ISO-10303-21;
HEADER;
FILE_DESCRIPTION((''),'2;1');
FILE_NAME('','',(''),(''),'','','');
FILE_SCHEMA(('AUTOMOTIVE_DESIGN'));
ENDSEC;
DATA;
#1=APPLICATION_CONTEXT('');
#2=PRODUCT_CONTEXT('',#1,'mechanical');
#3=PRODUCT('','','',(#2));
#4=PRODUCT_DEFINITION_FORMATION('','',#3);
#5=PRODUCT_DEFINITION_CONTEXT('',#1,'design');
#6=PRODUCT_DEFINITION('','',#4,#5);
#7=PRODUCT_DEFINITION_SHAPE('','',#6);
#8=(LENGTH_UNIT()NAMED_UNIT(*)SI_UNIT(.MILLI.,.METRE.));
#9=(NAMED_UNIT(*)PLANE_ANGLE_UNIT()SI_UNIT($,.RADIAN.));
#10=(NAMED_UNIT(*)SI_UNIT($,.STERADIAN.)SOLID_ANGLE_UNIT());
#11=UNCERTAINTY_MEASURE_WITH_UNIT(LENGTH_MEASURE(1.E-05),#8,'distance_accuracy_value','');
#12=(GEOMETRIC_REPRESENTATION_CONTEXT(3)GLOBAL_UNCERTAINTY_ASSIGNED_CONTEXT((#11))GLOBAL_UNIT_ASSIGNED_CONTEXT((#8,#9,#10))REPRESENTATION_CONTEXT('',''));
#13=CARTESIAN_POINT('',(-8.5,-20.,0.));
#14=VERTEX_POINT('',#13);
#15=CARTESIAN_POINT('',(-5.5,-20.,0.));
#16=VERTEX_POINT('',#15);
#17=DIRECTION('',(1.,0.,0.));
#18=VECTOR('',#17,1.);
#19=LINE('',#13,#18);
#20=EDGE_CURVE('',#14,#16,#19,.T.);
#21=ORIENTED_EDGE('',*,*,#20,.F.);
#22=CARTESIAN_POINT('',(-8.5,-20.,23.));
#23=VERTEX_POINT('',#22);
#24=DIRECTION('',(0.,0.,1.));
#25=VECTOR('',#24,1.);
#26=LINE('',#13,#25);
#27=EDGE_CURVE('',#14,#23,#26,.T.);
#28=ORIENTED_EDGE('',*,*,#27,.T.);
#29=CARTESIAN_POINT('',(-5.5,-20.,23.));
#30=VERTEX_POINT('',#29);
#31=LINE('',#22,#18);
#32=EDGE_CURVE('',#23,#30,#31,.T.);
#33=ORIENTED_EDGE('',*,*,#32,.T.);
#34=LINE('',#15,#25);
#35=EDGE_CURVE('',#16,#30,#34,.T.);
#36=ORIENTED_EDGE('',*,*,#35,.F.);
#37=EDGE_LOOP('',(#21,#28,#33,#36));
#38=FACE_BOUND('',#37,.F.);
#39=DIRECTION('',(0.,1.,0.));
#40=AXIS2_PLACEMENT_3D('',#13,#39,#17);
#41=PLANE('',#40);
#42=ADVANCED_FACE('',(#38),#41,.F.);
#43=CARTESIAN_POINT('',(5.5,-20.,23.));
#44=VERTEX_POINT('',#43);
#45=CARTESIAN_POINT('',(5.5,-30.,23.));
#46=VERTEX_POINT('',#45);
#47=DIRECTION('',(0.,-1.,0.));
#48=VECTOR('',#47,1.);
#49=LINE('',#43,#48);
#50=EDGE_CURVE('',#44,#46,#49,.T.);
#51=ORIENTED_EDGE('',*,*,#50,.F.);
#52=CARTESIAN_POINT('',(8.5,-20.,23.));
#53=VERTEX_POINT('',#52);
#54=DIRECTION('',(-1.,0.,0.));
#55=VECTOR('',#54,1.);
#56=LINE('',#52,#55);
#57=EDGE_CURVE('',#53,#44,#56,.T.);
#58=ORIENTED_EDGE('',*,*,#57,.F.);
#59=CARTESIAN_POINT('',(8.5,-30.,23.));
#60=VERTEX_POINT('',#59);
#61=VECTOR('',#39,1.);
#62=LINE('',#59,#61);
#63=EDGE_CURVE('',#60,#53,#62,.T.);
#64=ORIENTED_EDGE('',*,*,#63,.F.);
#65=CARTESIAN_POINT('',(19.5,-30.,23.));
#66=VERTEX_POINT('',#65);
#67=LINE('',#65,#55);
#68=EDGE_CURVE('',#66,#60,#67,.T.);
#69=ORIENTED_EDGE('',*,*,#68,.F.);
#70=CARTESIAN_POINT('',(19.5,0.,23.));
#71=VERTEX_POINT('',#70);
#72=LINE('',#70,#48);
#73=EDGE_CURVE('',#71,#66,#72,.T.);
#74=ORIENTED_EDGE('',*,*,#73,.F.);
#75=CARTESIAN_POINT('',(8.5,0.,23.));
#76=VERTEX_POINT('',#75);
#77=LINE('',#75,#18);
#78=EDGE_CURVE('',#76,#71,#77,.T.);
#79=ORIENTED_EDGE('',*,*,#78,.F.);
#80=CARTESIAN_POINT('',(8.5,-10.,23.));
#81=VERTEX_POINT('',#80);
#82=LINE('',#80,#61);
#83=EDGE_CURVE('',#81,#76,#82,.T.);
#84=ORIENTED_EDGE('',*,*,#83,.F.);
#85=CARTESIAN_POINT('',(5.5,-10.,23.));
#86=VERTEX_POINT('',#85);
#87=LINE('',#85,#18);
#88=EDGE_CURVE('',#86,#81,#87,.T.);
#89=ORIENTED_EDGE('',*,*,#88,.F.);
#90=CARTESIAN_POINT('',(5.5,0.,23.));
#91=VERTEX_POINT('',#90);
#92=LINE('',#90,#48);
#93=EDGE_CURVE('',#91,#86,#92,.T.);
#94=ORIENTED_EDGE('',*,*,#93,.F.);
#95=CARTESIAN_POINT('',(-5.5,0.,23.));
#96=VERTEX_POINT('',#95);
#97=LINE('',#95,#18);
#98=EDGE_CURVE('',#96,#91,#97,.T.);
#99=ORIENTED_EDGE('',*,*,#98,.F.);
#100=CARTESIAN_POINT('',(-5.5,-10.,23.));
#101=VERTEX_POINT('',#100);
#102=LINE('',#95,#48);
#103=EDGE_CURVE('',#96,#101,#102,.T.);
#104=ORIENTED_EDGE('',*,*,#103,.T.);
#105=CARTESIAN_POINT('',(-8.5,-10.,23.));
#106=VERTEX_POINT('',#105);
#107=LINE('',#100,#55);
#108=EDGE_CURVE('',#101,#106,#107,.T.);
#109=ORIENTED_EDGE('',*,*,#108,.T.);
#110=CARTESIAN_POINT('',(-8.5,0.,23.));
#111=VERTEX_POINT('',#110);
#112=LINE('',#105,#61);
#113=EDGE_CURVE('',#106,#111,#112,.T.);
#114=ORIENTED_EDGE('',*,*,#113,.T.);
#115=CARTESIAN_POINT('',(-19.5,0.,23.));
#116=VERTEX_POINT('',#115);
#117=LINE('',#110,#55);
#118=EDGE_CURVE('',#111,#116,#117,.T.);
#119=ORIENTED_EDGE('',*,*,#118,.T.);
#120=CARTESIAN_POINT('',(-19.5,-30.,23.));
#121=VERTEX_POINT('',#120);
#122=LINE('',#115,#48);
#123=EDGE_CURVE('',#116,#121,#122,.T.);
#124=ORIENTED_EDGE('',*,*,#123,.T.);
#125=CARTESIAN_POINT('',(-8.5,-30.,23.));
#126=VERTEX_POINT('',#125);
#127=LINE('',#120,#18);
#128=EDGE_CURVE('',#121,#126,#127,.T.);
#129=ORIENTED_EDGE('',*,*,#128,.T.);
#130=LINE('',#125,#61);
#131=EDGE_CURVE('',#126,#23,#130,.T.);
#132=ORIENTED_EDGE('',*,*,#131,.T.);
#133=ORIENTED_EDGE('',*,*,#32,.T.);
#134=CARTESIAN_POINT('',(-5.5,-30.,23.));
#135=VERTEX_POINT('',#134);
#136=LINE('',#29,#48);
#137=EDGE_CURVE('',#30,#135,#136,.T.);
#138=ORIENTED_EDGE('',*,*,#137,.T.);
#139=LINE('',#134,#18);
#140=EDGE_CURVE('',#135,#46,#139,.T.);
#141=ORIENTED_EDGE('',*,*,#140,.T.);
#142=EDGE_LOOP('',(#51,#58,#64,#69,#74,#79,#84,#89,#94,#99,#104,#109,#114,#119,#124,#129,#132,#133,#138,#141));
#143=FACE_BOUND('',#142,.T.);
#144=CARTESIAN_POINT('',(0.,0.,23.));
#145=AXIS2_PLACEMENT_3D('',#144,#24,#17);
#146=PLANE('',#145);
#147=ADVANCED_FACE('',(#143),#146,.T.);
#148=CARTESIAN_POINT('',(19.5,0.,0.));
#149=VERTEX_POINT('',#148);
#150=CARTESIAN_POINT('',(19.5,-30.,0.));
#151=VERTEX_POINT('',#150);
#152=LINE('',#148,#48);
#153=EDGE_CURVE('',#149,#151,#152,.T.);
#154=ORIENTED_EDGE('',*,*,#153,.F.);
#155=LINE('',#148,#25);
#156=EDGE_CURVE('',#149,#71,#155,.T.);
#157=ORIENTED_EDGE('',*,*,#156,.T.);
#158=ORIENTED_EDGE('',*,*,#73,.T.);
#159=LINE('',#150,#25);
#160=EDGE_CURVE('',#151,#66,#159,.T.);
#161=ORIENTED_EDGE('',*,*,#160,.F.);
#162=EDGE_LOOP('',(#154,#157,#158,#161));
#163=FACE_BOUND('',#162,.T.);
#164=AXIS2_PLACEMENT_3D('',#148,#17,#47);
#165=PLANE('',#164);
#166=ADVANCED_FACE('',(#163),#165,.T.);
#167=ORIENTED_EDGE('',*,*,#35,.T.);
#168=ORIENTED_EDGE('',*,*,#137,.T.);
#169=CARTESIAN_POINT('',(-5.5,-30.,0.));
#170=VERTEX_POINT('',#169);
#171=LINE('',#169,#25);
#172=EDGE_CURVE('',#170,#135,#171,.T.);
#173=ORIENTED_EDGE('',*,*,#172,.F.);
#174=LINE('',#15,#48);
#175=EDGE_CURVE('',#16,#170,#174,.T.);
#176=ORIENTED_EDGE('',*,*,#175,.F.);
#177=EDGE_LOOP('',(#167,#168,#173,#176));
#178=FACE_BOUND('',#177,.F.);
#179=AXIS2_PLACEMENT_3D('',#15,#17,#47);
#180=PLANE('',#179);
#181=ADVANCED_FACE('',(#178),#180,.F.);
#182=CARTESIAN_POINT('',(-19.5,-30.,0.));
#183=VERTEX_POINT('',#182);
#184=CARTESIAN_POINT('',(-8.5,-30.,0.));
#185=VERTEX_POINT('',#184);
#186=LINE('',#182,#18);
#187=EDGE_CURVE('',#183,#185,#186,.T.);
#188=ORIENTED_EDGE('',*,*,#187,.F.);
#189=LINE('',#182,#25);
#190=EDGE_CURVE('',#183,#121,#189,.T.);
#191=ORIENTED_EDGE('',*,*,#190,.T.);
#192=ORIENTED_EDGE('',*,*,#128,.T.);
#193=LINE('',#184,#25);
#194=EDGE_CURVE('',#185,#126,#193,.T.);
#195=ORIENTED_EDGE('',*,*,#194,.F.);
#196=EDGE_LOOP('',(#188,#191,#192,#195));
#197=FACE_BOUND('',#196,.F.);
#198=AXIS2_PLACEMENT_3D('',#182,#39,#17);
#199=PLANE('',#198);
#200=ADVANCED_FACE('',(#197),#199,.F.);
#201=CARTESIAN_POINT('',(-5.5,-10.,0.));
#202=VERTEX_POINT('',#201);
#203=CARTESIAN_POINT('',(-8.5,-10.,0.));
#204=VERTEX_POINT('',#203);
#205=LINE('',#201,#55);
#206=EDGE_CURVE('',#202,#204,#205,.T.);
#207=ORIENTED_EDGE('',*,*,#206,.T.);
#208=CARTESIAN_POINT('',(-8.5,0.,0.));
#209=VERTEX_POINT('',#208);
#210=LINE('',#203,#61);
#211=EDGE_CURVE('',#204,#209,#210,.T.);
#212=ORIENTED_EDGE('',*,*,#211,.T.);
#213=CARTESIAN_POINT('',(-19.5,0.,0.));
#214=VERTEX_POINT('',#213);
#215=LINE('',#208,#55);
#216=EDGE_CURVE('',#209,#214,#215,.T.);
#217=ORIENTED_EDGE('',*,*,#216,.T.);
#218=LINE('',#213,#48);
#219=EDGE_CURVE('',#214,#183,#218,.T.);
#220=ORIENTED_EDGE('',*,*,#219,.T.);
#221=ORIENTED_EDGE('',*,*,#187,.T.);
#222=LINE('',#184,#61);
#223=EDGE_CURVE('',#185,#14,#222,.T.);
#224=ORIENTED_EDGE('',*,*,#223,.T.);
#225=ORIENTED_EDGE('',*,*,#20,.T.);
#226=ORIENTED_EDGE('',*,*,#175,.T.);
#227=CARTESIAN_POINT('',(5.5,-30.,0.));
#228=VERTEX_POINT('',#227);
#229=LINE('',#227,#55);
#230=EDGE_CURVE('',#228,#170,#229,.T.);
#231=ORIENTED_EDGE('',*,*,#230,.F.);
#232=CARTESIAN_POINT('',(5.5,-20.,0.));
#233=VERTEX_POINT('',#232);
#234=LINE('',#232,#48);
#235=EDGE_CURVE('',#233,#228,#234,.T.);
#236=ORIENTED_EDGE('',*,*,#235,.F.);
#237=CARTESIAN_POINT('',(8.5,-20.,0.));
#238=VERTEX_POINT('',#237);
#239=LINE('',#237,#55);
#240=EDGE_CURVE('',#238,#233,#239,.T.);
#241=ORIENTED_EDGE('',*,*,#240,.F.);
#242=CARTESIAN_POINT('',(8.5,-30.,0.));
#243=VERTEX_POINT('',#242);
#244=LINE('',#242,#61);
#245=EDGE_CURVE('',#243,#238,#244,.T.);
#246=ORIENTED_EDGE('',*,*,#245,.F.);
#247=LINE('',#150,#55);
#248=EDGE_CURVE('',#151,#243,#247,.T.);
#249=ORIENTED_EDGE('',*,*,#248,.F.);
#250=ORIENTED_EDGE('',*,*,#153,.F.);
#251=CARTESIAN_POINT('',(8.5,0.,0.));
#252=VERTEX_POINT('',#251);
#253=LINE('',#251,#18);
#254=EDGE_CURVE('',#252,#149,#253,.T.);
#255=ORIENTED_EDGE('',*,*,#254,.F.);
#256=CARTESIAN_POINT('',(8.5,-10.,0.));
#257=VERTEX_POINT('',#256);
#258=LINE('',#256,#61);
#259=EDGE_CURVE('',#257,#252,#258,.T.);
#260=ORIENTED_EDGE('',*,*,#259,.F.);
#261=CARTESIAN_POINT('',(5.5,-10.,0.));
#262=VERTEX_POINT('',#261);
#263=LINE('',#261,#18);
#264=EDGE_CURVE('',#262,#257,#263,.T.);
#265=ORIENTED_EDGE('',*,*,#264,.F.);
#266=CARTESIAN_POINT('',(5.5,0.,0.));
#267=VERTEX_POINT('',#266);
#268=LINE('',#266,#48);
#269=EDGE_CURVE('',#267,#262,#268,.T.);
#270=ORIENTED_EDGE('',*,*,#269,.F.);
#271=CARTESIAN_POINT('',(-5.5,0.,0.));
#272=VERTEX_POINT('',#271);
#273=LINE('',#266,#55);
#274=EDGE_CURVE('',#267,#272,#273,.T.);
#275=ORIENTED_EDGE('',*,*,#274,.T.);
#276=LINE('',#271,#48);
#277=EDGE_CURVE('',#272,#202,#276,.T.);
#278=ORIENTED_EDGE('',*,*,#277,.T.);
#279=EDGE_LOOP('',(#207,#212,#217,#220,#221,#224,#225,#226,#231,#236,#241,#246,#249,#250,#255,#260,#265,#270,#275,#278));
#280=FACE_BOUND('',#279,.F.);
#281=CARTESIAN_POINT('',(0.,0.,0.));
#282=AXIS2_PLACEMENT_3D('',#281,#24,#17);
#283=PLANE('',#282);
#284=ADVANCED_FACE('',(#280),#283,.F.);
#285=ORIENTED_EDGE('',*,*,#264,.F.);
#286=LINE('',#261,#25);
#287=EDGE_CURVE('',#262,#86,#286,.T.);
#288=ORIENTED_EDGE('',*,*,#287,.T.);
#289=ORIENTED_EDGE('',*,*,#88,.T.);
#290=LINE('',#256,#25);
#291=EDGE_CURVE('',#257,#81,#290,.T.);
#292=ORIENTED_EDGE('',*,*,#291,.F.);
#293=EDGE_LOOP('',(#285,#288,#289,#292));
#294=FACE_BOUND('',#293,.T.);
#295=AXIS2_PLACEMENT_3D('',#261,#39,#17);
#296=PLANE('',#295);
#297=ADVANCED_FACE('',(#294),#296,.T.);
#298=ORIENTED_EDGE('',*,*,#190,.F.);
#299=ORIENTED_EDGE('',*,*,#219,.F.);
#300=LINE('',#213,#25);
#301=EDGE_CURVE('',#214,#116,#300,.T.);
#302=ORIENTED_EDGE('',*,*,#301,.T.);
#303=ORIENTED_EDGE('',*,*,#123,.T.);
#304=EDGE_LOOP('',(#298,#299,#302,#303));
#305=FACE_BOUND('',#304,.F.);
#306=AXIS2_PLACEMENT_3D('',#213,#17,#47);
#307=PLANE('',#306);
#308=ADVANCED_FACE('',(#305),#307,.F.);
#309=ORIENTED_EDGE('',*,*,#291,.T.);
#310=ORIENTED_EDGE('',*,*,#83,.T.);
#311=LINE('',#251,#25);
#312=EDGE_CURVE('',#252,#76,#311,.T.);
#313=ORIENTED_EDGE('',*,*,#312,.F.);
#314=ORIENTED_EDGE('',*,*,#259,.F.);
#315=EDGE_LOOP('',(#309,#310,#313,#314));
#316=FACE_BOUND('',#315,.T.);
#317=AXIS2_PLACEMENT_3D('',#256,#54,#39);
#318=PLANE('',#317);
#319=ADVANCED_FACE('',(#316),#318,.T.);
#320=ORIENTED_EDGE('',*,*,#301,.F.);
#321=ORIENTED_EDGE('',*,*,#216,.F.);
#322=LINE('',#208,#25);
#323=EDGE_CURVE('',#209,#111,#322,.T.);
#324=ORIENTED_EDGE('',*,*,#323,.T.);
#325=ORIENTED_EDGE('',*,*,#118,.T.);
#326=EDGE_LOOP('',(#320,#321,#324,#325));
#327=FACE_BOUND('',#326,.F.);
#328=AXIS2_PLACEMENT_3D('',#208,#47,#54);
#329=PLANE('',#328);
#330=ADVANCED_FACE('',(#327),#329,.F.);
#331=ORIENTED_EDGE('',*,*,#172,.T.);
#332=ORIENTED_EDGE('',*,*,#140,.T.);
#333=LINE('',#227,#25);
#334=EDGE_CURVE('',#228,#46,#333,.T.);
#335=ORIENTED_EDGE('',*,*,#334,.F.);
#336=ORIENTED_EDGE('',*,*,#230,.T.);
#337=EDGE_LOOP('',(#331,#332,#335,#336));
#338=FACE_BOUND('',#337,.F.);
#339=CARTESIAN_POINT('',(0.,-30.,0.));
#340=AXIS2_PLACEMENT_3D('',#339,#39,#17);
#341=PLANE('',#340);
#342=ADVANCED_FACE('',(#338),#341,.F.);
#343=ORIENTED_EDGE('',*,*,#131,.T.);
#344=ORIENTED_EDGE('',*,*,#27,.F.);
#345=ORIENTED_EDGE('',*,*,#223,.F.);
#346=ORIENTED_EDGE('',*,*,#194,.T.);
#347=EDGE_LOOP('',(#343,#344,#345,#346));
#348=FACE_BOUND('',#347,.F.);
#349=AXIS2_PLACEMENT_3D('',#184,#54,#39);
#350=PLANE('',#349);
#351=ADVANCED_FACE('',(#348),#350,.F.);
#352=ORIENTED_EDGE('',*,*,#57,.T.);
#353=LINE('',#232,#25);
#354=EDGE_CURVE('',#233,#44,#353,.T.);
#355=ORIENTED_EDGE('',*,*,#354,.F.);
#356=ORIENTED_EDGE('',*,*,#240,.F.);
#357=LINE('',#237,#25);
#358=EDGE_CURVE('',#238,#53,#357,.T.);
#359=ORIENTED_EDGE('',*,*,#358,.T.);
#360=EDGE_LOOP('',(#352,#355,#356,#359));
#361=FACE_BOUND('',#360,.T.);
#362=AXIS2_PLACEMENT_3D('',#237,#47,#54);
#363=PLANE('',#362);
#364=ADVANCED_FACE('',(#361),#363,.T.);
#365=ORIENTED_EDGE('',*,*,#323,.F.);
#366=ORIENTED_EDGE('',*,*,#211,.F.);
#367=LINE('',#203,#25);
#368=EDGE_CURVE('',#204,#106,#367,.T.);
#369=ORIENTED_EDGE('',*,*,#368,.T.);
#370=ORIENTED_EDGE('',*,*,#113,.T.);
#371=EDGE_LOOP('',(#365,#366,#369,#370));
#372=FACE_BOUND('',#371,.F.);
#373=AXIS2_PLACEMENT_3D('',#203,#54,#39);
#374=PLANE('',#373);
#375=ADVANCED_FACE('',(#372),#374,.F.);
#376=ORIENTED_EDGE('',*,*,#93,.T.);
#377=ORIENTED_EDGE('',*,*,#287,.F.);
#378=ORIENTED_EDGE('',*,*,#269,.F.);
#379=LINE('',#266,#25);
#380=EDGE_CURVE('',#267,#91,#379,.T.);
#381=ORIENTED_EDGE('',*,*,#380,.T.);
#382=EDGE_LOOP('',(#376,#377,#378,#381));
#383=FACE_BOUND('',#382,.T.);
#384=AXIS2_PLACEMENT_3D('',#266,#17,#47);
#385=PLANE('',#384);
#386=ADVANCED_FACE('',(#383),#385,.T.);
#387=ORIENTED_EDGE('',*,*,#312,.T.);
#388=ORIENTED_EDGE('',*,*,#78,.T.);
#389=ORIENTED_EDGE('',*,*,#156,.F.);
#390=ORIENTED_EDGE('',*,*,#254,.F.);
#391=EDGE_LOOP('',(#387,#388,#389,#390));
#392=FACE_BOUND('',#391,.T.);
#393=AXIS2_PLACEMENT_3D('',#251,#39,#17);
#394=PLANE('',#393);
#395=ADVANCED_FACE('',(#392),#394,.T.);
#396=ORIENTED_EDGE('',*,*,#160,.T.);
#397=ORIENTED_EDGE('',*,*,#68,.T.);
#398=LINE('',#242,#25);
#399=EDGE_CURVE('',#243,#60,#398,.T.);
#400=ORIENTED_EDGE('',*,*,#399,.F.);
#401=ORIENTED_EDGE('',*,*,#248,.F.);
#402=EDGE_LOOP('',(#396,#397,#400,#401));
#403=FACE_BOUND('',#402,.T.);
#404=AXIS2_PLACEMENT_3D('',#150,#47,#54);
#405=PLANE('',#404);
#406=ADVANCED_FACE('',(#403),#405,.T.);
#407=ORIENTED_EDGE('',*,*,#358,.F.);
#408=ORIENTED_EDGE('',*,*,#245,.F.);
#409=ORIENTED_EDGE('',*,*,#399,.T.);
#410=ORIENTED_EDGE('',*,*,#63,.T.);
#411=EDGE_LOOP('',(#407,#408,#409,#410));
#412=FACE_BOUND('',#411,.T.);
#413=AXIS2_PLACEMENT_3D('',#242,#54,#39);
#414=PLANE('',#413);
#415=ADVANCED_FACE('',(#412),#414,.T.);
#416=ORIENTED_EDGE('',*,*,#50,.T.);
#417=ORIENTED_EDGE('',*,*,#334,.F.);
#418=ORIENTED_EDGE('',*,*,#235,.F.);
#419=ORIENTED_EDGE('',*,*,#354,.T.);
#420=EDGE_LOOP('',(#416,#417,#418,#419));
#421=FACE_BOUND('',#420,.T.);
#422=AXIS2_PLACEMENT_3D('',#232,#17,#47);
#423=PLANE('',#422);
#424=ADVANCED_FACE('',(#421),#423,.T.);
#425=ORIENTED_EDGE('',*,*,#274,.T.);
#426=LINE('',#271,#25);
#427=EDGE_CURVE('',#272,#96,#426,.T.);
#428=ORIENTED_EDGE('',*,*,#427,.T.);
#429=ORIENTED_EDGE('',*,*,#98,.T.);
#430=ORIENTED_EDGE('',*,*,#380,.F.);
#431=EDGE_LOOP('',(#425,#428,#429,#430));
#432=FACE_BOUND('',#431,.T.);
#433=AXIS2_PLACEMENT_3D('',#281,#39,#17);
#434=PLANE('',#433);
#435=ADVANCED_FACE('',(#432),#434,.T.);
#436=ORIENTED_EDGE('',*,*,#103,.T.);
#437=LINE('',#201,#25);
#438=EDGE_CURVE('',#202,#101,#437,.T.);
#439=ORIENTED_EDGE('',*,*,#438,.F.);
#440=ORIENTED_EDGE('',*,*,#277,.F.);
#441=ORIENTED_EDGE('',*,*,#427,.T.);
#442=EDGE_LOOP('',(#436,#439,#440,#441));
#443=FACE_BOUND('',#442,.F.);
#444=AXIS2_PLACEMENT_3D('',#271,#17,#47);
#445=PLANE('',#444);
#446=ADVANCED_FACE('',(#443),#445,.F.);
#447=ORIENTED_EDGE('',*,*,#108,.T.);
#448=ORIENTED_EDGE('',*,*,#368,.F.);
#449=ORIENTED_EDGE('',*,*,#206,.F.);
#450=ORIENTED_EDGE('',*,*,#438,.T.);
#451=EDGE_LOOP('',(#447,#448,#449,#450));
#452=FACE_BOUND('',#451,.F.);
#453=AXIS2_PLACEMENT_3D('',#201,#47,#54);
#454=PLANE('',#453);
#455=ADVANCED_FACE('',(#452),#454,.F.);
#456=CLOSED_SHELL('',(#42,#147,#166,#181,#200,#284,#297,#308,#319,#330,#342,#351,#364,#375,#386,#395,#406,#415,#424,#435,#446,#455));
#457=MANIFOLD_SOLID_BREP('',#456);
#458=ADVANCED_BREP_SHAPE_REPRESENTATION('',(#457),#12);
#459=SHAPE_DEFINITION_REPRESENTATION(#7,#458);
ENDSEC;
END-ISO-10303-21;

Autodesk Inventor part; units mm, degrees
ref_plane "YZ Plane" through (0, 0, 0) normal (1, 0, 0) x (0, 1, 0)
ref_plane "XZ Plane" through (0, 0, 0) normal (0, 1, 0) x (-1, 0, 0)
ref_plane "XY Plane" through (0, 0, 0) normal (0, 0, 1) x (1, 0, 0)
sketch "Sketch1" plane through (0, 0, 0) normal (0, 0, 1) x (1, 0, 0)
  line L0 (0, 3.6903) -> (0, -33.2554)
  line L1 (0, 0) -> (5.5, 0)
  line L2 (5.5, 0) -> (5.5, -10)
  line L3 (5.5, -10) -> (8.5, -10)
  line L4 (8.5, -10) -> (8.5, 0)
  line L5 (8.5, 0) -> (19.5, 0)
  line L6 (19.5, 0) -> (19.5, -30)
  line L7 (19.5, -30) -> (8.5, -30)
  line L8 (8.5, -30) -> (8.5, -20)
  line L9 (8.5, -20) -> (5.5, -20)
  line L10 (5.5, -20) -> (5.5, -30)
  line L11 (0, -30) -> (5.5, -30)
  line L12 (0, 0) -> (-5.5, 0)
  line L13 (-5.5, 0) -> (-5.5, -10)
  line L14 (-5.5, -10) -> (-8.5, -10)
  line L15 (-8.5, -10) -> (-8.5, 0)
  line L16 (-8.5, 0) -> (-19.5, 0)
  line L17 (-19.5, 0) -> (-19.5, -30)
  line L18 (-19.5, -30) -> (-8.5, -30)
  line L19 (-8.5, -30) -> (-8.5, -20)
  line L20 (-8.5, -20) -> (-5.5, -20)
  line L21 (-5.5, -20) -> (-5.5, -30)
  line L22 (0, -30) -> (-5.5, -30)
  dimension "d0" = 5.5
  dimension "d1" = 10
  dimension "d2" = 3
  dimension "d3" = 11
  dimension "d4" = 30
  dimension "d5" = 11
  dimension "d6" = 10
  dimension "d7" = 5.5
  dimension "d8" = 3
extrude "Extrusion1" add sketch "Sketch1" along normal blind 23
equation "\"d5\" = d3"
equation "\"d6\" = d1"
equation "\"d7\" = d0"
equation "\"d8\" = d2"
properties part number "CommonGNDVDD" material "ABS Plastic"
